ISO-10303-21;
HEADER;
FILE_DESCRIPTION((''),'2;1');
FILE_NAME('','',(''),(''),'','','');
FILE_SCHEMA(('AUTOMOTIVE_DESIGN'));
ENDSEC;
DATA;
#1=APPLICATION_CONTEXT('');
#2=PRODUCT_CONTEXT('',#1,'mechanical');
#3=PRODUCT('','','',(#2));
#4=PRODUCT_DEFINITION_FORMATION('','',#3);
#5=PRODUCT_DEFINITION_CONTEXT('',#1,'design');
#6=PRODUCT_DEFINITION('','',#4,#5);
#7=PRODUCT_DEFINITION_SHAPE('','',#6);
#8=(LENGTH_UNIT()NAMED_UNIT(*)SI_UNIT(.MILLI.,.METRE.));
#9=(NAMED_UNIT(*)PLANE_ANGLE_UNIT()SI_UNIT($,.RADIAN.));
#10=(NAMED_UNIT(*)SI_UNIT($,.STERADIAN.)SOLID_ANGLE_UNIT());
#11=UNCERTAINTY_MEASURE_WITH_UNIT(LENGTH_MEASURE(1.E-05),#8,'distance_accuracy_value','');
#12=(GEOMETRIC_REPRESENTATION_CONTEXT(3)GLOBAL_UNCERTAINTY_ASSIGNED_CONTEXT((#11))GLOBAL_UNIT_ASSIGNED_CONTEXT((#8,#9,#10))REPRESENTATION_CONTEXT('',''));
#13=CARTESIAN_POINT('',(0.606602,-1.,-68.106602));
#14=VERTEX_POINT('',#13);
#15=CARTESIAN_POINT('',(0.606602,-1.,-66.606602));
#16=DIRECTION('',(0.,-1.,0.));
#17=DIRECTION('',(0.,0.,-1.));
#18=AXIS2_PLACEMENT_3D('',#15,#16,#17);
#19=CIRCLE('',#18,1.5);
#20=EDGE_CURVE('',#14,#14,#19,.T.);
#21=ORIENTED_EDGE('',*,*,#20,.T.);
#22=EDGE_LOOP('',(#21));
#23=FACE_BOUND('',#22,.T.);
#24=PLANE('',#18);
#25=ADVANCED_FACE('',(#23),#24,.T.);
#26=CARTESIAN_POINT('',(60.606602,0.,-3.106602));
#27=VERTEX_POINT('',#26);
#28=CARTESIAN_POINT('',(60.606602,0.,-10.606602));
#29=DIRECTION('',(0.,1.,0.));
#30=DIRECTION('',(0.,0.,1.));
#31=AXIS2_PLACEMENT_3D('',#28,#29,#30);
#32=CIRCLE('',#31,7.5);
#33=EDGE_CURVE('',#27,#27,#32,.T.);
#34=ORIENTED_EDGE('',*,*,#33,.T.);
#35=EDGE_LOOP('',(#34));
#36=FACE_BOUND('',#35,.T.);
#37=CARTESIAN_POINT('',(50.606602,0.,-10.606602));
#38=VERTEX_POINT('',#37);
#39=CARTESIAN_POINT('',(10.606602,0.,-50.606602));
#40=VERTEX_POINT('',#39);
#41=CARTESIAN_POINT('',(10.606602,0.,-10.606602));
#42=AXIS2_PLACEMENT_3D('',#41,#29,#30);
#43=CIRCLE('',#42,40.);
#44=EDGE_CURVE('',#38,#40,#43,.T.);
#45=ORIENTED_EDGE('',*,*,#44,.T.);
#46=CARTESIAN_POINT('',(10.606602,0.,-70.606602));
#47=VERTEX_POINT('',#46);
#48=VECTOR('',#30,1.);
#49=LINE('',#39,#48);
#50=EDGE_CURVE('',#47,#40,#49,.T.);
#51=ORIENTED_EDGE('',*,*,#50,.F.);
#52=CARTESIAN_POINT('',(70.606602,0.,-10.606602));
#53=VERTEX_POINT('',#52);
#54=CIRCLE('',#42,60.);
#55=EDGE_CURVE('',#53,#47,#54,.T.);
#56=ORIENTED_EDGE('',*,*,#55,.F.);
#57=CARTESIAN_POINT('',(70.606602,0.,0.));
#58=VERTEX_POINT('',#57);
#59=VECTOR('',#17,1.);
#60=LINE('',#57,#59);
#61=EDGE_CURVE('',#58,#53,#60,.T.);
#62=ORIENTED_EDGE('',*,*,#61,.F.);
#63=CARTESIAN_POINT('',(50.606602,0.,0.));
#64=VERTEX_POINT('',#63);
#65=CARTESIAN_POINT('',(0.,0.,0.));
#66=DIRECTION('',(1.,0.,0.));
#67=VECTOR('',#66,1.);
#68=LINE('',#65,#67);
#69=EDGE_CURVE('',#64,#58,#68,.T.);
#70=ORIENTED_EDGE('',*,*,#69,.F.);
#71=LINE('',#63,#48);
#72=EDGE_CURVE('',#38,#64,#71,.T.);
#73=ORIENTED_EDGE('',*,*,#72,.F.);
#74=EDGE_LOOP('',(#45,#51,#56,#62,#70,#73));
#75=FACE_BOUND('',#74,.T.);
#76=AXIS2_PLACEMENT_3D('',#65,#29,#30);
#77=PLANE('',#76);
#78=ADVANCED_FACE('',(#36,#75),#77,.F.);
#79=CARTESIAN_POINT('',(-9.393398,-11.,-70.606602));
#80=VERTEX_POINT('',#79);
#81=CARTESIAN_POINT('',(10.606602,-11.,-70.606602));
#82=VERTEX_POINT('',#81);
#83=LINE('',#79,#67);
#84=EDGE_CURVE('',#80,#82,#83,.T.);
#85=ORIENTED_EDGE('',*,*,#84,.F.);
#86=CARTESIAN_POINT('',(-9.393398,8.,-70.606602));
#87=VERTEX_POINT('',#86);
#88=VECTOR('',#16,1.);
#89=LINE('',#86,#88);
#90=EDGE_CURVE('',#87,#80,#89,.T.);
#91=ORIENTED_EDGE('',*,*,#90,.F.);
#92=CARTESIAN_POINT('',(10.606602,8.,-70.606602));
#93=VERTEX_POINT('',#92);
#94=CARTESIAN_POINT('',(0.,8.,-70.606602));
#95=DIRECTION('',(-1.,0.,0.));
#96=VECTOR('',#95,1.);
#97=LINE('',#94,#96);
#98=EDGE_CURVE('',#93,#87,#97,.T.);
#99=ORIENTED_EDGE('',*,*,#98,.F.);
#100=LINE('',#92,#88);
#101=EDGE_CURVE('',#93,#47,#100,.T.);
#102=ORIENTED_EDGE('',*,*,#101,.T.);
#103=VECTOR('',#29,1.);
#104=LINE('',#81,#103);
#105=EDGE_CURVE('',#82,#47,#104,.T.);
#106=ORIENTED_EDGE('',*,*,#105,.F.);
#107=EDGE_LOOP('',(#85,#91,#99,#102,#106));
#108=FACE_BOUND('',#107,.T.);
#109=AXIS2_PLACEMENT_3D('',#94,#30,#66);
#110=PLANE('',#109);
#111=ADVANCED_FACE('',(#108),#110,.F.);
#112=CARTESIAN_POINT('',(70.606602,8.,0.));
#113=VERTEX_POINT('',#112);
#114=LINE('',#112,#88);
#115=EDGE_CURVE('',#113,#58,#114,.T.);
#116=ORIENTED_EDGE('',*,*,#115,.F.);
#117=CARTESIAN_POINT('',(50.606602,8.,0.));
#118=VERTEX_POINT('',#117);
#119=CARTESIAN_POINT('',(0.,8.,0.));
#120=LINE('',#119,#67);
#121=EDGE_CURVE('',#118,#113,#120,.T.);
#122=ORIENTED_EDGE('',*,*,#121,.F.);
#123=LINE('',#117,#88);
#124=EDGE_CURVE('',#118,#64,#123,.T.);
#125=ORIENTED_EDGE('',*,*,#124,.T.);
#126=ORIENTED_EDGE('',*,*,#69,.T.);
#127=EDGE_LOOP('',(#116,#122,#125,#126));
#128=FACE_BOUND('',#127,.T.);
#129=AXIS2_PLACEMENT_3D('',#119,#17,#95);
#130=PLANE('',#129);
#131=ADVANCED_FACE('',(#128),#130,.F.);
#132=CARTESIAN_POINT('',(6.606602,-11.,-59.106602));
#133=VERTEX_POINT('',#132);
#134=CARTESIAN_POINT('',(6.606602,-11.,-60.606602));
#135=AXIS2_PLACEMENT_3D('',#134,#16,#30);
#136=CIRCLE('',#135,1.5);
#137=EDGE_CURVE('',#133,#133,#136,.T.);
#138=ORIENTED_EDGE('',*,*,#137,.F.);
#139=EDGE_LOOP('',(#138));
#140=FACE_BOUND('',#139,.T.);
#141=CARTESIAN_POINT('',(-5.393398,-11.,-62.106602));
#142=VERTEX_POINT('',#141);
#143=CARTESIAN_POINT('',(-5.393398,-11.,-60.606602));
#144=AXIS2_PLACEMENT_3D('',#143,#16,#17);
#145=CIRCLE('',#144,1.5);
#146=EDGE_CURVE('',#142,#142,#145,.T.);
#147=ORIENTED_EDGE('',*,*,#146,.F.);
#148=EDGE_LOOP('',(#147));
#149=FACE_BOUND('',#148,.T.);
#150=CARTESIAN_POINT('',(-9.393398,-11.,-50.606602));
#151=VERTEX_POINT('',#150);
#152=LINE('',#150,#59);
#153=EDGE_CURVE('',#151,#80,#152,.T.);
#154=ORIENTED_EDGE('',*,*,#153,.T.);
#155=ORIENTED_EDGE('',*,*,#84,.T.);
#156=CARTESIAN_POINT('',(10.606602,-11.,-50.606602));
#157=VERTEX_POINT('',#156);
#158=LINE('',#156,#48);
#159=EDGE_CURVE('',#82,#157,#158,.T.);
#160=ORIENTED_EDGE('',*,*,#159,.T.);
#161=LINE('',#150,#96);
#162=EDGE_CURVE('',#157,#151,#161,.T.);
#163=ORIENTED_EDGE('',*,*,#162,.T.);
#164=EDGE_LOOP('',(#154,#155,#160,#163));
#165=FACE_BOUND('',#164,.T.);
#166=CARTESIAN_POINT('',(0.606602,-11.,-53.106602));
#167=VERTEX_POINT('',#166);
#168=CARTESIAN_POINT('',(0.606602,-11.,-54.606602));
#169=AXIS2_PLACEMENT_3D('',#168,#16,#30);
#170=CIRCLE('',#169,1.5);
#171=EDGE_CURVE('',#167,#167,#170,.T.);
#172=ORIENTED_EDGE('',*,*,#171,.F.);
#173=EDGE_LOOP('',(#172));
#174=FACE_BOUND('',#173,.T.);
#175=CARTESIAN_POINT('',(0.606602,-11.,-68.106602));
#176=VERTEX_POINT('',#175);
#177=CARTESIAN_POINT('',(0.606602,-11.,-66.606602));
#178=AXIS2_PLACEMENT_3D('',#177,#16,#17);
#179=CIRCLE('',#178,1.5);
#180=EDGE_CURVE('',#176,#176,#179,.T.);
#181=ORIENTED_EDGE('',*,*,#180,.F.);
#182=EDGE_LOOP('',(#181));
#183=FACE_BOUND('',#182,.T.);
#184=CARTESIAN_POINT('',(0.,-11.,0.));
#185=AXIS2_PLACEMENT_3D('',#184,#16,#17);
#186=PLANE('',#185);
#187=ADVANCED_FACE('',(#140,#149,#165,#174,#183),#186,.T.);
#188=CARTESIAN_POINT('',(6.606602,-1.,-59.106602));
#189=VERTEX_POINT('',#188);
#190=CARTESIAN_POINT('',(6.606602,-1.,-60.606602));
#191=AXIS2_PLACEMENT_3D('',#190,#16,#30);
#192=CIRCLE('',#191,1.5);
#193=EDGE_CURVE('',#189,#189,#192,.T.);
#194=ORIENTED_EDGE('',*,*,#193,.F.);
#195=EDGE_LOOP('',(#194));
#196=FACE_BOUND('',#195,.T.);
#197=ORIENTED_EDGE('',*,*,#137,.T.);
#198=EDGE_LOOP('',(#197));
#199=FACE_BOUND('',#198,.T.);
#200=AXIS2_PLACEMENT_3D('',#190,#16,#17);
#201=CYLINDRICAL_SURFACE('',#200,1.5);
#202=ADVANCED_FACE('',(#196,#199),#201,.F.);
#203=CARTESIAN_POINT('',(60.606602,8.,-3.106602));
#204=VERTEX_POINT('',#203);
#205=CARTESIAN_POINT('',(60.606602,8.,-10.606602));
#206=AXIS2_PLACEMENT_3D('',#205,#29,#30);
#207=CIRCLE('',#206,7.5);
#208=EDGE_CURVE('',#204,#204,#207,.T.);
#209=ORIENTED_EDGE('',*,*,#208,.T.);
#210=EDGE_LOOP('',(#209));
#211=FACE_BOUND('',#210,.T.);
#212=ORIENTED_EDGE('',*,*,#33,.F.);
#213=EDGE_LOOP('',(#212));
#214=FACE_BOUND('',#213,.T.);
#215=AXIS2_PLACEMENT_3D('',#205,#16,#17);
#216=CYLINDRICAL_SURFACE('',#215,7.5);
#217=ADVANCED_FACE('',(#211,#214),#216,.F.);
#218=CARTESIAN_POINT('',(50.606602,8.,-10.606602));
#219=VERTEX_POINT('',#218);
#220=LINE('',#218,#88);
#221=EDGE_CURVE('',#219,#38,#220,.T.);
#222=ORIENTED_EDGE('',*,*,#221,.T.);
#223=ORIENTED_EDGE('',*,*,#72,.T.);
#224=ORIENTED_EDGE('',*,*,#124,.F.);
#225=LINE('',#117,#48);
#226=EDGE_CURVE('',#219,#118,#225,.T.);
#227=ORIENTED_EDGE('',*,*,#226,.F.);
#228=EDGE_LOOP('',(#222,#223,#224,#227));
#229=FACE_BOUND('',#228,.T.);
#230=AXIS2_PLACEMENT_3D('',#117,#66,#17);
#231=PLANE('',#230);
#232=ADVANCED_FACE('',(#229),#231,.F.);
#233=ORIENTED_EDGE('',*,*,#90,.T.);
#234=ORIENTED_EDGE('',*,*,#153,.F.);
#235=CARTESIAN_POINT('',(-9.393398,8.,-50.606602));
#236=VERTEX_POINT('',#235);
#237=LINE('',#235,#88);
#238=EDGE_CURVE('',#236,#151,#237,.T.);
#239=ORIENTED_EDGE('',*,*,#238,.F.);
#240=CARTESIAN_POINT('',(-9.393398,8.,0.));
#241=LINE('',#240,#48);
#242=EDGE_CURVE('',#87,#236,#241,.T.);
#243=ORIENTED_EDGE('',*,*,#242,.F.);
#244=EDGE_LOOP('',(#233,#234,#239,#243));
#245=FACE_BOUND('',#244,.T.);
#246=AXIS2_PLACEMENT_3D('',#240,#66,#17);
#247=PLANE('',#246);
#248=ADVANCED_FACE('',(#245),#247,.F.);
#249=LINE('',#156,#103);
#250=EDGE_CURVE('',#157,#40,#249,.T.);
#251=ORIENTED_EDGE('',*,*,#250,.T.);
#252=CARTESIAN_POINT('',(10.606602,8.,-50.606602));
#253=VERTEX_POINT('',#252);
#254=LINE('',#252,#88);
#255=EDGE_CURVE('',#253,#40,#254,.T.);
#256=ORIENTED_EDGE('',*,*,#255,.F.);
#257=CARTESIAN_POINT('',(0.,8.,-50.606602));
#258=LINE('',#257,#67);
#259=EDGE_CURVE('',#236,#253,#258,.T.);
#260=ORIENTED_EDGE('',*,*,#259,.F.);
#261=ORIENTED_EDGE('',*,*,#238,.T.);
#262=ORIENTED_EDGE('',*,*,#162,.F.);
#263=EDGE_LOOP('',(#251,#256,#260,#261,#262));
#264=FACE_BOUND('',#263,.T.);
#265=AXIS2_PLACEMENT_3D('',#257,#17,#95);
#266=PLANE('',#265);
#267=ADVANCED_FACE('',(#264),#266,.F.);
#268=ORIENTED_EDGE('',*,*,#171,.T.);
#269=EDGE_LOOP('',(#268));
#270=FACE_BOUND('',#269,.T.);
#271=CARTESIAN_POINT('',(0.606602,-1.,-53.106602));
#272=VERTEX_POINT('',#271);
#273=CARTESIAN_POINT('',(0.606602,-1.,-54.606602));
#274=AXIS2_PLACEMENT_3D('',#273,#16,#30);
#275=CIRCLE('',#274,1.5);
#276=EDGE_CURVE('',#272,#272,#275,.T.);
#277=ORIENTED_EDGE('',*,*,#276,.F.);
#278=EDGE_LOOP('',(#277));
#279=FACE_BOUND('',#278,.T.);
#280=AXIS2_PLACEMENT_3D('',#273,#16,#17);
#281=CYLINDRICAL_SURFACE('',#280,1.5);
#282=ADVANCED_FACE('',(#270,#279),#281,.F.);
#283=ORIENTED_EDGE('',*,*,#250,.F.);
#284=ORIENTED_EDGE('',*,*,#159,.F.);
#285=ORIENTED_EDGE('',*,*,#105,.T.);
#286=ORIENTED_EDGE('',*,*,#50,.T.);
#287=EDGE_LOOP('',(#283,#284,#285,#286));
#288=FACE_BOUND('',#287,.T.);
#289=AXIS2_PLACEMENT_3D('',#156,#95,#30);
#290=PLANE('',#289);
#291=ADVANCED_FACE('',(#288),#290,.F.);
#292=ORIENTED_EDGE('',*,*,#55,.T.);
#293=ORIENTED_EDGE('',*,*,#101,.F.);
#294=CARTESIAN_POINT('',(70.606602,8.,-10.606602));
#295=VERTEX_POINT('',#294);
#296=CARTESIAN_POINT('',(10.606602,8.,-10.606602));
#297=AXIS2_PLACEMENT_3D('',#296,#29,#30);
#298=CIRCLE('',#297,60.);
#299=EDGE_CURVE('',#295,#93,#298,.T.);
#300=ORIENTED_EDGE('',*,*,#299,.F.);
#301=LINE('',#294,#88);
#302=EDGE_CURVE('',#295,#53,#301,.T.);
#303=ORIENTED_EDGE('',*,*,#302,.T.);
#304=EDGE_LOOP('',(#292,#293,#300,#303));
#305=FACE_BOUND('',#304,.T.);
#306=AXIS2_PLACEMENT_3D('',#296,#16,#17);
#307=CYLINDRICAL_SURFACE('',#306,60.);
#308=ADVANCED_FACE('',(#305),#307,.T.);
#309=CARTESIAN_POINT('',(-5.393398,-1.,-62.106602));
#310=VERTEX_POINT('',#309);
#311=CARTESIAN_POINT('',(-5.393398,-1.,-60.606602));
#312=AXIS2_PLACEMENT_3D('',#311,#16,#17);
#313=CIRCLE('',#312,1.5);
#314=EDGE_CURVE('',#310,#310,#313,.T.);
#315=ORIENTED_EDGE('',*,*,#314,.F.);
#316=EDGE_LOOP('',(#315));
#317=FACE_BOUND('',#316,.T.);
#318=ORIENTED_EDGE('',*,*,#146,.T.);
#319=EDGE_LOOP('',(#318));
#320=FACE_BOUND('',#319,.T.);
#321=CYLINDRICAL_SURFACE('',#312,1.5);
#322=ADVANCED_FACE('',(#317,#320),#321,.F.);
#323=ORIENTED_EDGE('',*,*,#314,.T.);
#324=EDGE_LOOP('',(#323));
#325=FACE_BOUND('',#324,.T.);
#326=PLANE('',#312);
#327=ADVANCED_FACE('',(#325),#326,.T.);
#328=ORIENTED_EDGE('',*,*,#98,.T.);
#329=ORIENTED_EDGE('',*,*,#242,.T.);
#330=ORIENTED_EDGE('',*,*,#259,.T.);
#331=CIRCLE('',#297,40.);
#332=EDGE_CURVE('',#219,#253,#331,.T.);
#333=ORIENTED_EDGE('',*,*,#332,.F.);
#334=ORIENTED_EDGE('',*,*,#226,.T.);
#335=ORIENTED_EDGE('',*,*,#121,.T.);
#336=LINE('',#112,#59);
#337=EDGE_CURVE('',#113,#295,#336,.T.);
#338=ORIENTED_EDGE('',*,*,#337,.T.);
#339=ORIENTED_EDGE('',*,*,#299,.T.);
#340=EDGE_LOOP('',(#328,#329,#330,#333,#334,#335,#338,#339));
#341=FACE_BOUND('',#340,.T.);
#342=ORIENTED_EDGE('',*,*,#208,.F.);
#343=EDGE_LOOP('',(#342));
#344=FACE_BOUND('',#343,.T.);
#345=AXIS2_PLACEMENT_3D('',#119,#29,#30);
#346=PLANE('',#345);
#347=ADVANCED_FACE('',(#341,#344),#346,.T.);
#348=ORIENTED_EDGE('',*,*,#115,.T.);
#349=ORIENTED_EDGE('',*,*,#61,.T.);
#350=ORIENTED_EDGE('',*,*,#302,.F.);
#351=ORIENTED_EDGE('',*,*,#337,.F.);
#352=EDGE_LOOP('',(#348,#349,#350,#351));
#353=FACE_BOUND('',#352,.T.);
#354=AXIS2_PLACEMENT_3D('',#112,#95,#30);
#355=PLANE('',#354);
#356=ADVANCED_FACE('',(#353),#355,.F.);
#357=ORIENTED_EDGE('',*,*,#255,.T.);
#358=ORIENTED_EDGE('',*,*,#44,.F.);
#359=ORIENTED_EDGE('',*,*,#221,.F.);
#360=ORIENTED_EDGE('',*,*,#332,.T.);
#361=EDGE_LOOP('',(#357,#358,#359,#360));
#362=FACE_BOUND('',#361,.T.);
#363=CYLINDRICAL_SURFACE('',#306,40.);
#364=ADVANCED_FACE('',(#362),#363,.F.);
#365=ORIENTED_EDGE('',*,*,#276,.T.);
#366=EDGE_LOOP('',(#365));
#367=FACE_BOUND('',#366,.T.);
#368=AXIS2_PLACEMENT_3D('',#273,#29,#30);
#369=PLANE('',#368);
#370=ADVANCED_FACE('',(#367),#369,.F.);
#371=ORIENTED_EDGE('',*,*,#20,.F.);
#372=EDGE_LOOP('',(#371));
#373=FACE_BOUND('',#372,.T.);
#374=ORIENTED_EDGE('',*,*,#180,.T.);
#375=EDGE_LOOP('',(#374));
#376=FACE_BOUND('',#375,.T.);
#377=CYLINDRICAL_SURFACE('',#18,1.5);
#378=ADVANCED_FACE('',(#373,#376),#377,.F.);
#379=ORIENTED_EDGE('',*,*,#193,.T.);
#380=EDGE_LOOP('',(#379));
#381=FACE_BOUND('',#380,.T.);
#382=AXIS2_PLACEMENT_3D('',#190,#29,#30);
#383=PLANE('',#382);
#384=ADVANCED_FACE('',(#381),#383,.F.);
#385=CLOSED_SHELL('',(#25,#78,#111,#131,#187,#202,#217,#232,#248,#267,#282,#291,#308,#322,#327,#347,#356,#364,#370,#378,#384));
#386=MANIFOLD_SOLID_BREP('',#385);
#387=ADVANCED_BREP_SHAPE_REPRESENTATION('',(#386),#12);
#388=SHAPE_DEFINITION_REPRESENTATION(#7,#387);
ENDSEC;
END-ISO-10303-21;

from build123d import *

# Parameters (mm, degrees)
SKETCH1_R               = 7.5
BOSS_EXTRUDE1_DEPTH     = 8
CROQUIS6_W              = 20
CROQUIS6_H              = 20
SALIENTE_EXTRUIR5_DEPTH = 11
CROQUIS7_R              = 1.5
CORTAR_EXTRUIR1_DEPTH   = 10


with BuildPart() as part:
    # Sketch1 → Boss-Extrude1 (new body)
    with BuildSketch(Plane(origin=(0, 0, 0), x_dir=(1, 0, 0), z_dir=(0, 1, 0))):
        with BuildLine():
            Line((50.606601718, 10.606601718), (50.606601718, 0))
            Line((50.606601718, 0), (70.606601718, 0))
            Line((70.606601718, 0), (70.606601718, 10.606601718))
            ThreePointArc((70.606601718, 10.606601718), (53.033008589, 53.033008589), (10.606601718, 70.606601718))
            Line((10.606601718, 70.606601718), (-9.393398282, 70.606601718))
            Line((-9.393398282, 70.606601718), (-9.393398282, 50.606601718))
            Line((-9.393398282, 50.606601718), (10.606601718, 50.606601718))
            ThreePointArc((10.606601718, 50.606601718), (38.890872965, 38.890872965), (50.606601718, 10.606601718))
        make_face()
        with Locations(Location((60.606601718, 10.606601718, 0), (0, 0, 270))):
            Circle(SKETCH1_R, mode=Mode.SUBTRACT)
    extrude(amount=BOSS_EXTRUDE1_DEPTH)

    # Croquis6 → Saliente-Extruir5 (add)
    with BuildSketch(Plane.XZ):
        with Locations((0.606601718, -60.606601718)):
            Rectangle(CROQUIS6_W, CROQUIS6_H)
    extrude(amount=SALIENTE_EXTRUIR5_DEPTH)

    # Croquis7 → Cortar-Extruir1 (cut)
    with BuildSketch(Plane.XZ.offset(11)):
        with Locations(Location((-5.393398282, -60.606601718, 0), (0, 0, 270))):
            Circle(CROQUIS7_R)
        with Locations(Location((6.606601718, -60.606601718, 0), (0, 0, 90))):
            Circle(CROQUIS7_R)
        with Locations(Location((0.606601718, -66.606601718, 0), (0, 0, 270))):
            Circle(CROQUIS7_R)
        with Locations(Location((0.606601718, -54.606601718, 0), (0, 0, 90))):
            Circle(CROQUIS7_R)
    extrude(amount=-CORTAR_EXTRUIR1_DEPTH, mode=Mode.SUBTRACT)


solid = part.part
